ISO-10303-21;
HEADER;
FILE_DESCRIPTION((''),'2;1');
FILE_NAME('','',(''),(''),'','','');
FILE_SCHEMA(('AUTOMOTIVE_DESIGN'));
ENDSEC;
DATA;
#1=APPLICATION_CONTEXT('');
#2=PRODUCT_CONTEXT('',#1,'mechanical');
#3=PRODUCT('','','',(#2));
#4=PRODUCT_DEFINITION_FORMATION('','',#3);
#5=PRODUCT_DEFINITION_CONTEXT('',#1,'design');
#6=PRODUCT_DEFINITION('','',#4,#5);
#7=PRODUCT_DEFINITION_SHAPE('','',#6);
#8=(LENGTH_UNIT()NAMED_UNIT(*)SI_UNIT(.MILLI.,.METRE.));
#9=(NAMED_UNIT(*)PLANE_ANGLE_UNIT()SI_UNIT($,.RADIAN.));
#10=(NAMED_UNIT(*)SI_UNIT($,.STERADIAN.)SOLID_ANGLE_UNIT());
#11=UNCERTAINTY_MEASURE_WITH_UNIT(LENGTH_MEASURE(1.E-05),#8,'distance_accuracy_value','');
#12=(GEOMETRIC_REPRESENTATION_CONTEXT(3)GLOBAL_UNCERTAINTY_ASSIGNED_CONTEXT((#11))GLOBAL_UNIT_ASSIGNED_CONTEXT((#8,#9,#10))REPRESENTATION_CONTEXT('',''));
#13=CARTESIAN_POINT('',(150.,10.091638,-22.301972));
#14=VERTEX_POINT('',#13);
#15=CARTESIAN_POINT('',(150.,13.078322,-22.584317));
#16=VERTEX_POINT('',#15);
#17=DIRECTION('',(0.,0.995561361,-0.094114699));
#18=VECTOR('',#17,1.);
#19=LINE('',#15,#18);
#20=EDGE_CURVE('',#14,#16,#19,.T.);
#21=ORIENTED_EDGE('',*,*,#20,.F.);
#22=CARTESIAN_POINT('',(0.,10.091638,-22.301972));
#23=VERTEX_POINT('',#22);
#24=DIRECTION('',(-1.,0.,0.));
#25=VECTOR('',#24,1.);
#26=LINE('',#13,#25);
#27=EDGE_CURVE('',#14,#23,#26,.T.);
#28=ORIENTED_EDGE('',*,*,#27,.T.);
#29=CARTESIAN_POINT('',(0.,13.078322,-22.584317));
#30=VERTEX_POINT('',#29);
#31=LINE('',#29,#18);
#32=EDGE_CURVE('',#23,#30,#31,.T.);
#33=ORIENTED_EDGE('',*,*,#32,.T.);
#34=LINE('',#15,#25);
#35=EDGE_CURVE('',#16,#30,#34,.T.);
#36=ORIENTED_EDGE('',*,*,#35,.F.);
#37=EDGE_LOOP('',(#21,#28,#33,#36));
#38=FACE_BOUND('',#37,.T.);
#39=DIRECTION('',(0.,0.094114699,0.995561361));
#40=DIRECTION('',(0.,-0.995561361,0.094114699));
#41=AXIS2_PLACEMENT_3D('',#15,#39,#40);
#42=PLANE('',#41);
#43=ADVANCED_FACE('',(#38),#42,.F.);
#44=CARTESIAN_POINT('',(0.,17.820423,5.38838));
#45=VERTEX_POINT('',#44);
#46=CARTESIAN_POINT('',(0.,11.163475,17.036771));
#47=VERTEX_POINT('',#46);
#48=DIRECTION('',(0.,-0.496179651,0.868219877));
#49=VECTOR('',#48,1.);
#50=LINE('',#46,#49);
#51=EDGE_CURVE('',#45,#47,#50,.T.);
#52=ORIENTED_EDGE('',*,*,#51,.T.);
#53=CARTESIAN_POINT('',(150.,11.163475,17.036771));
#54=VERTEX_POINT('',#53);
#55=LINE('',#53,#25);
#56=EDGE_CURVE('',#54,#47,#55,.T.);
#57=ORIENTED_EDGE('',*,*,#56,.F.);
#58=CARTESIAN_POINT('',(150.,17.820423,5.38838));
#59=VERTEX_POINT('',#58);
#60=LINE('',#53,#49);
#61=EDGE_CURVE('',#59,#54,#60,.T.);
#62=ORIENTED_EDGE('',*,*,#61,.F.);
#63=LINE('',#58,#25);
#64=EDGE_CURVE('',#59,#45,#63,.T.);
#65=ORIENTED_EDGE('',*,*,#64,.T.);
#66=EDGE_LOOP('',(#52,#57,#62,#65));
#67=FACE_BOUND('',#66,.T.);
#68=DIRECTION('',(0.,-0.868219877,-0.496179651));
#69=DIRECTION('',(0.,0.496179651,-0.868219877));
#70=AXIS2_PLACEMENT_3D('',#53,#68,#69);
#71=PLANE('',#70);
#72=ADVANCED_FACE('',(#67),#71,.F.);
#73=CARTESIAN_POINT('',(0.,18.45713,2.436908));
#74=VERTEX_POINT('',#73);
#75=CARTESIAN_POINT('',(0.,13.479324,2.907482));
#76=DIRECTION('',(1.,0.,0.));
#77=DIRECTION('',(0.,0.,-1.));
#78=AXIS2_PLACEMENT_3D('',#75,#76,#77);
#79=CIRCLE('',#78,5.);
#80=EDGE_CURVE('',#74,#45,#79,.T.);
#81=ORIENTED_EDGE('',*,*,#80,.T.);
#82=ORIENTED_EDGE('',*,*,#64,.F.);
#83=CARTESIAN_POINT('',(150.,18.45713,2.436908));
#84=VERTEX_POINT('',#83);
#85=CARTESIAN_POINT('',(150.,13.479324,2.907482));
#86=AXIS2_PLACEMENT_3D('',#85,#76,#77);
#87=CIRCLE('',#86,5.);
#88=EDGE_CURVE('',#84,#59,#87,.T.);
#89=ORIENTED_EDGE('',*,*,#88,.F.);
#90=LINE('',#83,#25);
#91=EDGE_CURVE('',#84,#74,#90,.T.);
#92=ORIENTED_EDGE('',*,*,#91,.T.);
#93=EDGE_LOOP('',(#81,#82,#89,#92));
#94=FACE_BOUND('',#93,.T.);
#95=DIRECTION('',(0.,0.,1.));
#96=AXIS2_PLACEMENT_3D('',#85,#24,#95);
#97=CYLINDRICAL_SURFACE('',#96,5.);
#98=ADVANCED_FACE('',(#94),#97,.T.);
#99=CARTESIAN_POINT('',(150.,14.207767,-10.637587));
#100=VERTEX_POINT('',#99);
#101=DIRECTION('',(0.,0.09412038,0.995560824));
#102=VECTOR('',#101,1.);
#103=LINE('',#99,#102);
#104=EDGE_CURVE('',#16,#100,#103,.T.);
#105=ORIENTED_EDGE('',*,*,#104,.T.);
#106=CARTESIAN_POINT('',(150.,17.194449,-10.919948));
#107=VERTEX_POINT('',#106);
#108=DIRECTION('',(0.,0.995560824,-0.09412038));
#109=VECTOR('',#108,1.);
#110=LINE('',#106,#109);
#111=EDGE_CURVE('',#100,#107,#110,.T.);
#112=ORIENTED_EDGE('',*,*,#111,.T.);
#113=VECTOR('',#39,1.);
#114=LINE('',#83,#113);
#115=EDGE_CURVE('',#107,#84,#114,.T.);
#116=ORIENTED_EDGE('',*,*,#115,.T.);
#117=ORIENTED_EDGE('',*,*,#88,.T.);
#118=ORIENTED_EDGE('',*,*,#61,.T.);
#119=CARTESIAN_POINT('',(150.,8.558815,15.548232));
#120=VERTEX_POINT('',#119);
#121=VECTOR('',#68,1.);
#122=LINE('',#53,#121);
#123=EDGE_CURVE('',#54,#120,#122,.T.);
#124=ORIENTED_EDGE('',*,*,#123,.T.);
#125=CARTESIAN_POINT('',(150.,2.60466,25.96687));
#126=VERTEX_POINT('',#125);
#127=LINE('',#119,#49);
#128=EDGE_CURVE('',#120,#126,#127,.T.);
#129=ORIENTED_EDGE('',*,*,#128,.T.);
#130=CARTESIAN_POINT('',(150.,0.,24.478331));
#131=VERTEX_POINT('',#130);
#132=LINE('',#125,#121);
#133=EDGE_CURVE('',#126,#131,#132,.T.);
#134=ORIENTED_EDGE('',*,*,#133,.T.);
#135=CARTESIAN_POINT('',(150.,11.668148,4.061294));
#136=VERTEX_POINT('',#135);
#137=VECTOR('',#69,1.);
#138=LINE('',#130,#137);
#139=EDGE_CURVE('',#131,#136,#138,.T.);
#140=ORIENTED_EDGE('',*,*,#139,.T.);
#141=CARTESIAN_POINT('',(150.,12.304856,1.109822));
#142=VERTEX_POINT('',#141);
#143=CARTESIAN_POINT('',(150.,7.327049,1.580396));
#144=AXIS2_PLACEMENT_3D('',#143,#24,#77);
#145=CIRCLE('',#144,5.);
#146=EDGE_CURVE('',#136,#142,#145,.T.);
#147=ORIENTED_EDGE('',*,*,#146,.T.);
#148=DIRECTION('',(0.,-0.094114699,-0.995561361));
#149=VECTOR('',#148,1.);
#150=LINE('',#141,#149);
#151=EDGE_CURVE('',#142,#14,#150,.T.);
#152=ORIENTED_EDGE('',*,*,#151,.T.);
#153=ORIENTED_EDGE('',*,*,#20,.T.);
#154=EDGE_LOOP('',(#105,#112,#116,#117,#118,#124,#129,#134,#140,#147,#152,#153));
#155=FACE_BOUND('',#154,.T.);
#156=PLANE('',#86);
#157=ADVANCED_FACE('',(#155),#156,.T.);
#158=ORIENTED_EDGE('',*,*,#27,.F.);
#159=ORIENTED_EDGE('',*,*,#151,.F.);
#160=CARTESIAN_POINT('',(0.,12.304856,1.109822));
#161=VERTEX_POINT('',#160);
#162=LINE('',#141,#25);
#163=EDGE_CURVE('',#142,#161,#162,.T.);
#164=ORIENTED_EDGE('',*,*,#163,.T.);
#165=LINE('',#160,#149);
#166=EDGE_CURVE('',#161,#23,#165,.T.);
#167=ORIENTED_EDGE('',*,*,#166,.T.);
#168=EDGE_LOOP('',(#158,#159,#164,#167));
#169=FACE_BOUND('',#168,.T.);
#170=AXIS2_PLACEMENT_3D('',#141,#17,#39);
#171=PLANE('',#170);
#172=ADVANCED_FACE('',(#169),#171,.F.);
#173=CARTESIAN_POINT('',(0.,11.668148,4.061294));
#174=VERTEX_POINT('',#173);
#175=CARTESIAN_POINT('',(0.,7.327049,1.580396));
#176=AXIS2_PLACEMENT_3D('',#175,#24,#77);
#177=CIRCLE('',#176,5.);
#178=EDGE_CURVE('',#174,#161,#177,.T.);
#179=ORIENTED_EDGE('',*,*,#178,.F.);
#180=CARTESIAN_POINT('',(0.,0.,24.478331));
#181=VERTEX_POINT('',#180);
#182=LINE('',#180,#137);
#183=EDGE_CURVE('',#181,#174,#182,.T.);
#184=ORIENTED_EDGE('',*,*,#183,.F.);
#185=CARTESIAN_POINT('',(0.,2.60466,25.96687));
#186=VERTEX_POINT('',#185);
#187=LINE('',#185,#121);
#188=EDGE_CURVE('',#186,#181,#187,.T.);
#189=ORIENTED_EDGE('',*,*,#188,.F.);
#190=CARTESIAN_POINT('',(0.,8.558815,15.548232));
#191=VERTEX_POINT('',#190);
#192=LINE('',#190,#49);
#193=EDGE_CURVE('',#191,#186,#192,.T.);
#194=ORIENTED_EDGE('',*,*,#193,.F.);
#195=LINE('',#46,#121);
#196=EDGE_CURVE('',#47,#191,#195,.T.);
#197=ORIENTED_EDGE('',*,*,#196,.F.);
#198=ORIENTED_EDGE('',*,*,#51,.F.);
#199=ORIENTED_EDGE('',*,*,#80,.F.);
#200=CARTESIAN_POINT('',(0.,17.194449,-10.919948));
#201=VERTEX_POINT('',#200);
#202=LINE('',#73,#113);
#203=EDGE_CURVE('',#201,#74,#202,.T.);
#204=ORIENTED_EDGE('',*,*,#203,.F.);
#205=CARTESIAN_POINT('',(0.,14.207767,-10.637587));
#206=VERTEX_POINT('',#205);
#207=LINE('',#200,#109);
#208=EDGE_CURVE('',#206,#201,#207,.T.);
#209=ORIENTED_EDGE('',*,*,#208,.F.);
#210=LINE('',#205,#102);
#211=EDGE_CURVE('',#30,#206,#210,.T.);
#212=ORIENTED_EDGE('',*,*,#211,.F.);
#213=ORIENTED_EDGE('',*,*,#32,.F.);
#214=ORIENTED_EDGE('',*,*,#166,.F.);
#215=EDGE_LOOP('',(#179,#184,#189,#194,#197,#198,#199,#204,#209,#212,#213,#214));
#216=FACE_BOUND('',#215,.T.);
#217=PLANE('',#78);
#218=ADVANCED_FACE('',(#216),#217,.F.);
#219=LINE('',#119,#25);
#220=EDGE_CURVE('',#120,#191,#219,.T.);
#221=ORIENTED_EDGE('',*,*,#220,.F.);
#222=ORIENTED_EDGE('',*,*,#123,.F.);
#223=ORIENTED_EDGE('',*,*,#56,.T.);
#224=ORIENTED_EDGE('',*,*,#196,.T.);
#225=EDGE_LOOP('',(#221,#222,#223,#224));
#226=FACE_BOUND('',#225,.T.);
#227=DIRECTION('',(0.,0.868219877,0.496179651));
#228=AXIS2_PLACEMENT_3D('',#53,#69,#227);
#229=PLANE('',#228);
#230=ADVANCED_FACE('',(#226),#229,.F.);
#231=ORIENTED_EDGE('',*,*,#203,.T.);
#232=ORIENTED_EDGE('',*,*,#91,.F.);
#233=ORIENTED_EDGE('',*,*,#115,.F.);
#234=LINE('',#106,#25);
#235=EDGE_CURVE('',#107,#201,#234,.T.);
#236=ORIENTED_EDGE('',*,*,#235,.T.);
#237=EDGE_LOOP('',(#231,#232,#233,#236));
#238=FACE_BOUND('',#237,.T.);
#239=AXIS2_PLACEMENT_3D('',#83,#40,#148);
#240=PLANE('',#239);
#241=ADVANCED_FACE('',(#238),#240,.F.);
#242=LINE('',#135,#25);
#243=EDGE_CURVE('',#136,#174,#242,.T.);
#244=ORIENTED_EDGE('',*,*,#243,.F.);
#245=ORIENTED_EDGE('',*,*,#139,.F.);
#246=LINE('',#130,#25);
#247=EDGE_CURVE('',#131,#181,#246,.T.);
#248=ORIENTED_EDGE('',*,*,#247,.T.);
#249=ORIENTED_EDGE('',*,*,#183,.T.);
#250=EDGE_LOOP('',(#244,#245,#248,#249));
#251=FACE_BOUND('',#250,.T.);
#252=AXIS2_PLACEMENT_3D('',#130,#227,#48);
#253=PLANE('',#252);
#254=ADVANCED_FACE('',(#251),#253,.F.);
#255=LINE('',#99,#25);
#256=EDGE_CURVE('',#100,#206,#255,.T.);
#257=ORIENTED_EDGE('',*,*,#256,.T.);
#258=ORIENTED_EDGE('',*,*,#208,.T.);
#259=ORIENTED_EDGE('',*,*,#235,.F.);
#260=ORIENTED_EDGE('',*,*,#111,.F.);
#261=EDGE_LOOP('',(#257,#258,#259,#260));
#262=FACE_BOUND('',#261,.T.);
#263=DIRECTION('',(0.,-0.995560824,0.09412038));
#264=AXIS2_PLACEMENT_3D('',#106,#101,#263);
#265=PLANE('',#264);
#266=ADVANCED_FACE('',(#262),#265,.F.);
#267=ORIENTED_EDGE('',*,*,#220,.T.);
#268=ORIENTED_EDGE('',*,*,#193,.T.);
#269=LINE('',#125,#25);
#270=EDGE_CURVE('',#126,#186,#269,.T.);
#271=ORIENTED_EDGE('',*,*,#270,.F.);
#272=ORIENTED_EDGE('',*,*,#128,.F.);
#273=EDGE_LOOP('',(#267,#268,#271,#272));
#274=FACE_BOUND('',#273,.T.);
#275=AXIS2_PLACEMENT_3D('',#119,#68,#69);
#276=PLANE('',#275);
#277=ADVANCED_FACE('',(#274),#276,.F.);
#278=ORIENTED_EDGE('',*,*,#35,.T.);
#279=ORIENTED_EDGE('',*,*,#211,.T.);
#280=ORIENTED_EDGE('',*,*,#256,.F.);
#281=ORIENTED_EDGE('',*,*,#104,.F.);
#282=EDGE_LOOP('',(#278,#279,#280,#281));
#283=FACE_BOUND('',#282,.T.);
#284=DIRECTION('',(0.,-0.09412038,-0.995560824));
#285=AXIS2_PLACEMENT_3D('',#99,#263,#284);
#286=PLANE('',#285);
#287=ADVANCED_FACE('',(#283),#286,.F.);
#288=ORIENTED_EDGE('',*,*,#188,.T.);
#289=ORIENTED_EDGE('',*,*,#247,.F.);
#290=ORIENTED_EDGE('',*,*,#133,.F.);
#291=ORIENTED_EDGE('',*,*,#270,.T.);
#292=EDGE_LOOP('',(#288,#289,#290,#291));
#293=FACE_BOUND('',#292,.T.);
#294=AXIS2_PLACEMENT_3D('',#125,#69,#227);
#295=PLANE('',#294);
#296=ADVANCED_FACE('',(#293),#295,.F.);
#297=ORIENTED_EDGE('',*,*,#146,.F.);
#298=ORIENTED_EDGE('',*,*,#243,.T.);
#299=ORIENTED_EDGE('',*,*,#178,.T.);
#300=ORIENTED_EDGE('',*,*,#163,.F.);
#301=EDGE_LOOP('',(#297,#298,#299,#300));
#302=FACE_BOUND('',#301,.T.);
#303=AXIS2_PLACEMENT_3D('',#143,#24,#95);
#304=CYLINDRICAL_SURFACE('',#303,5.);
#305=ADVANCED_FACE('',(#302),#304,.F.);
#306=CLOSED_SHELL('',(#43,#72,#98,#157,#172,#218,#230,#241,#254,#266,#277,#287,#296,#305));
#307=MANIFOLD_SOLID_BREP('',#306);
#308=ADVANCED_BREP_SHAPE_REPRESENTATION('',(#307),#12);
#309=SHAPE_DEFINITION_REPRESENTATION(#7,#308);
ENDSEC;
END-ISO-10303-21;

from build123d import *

# Parameters (mm, degrees)
BOSS_EXTRUDE1_DEPTH = 150


with BuildPart() as part:
    # Sketch1 → Boss-Extrude1 (new body)
    with BuildSketch(Plane(origin=(0, 0, 0), x_dir=(0, 0, -1), z_dir=(1, 0, 0))):
        with BuildLine():
            Line((-17.036770748, 11.163475068), (-15.548231796, 8.558815438))
            Line((-15.548231796, 8.558815438), (-25.966870317, 2.60465963))
            Line((-25.966870317, 2.60465963), (-24.478331365, 0))
            Line((-24.478331365, 0), (-4.061294033, 11.668148498))
            ThreePointArc((-4.061294033, 11.668148498), (-2.634767864, 12.21461492), (-1.109822283, 12.304855919))
            Line((-1.109822283, 12.304855919), (22.301972464, 10.091638219))
            Line((22.301972464, 10.091638219), (22.584316562, 13.078322302))
            Line((22.584316562, 13.078322302), (10.637586676, 14.207766865))
            Line((10.637586676, 14.207766865), (10.919947816, 17.194449336))
            Line((10.919947816, 17.194449336), (-2.436908153, 18.457130406))
            ThreePointArc((-2.436908153, 18.457130406), (-3.961853734, 18.366889408), (-5.388379903, 17.820422985))
            Line((-5.388379903, 17.820422985), (-17.036770748, 11.163475068))
        make_face()
    extrude(amount=BOSS_EXTRUDE1_DEPTH)


solid = part.part
